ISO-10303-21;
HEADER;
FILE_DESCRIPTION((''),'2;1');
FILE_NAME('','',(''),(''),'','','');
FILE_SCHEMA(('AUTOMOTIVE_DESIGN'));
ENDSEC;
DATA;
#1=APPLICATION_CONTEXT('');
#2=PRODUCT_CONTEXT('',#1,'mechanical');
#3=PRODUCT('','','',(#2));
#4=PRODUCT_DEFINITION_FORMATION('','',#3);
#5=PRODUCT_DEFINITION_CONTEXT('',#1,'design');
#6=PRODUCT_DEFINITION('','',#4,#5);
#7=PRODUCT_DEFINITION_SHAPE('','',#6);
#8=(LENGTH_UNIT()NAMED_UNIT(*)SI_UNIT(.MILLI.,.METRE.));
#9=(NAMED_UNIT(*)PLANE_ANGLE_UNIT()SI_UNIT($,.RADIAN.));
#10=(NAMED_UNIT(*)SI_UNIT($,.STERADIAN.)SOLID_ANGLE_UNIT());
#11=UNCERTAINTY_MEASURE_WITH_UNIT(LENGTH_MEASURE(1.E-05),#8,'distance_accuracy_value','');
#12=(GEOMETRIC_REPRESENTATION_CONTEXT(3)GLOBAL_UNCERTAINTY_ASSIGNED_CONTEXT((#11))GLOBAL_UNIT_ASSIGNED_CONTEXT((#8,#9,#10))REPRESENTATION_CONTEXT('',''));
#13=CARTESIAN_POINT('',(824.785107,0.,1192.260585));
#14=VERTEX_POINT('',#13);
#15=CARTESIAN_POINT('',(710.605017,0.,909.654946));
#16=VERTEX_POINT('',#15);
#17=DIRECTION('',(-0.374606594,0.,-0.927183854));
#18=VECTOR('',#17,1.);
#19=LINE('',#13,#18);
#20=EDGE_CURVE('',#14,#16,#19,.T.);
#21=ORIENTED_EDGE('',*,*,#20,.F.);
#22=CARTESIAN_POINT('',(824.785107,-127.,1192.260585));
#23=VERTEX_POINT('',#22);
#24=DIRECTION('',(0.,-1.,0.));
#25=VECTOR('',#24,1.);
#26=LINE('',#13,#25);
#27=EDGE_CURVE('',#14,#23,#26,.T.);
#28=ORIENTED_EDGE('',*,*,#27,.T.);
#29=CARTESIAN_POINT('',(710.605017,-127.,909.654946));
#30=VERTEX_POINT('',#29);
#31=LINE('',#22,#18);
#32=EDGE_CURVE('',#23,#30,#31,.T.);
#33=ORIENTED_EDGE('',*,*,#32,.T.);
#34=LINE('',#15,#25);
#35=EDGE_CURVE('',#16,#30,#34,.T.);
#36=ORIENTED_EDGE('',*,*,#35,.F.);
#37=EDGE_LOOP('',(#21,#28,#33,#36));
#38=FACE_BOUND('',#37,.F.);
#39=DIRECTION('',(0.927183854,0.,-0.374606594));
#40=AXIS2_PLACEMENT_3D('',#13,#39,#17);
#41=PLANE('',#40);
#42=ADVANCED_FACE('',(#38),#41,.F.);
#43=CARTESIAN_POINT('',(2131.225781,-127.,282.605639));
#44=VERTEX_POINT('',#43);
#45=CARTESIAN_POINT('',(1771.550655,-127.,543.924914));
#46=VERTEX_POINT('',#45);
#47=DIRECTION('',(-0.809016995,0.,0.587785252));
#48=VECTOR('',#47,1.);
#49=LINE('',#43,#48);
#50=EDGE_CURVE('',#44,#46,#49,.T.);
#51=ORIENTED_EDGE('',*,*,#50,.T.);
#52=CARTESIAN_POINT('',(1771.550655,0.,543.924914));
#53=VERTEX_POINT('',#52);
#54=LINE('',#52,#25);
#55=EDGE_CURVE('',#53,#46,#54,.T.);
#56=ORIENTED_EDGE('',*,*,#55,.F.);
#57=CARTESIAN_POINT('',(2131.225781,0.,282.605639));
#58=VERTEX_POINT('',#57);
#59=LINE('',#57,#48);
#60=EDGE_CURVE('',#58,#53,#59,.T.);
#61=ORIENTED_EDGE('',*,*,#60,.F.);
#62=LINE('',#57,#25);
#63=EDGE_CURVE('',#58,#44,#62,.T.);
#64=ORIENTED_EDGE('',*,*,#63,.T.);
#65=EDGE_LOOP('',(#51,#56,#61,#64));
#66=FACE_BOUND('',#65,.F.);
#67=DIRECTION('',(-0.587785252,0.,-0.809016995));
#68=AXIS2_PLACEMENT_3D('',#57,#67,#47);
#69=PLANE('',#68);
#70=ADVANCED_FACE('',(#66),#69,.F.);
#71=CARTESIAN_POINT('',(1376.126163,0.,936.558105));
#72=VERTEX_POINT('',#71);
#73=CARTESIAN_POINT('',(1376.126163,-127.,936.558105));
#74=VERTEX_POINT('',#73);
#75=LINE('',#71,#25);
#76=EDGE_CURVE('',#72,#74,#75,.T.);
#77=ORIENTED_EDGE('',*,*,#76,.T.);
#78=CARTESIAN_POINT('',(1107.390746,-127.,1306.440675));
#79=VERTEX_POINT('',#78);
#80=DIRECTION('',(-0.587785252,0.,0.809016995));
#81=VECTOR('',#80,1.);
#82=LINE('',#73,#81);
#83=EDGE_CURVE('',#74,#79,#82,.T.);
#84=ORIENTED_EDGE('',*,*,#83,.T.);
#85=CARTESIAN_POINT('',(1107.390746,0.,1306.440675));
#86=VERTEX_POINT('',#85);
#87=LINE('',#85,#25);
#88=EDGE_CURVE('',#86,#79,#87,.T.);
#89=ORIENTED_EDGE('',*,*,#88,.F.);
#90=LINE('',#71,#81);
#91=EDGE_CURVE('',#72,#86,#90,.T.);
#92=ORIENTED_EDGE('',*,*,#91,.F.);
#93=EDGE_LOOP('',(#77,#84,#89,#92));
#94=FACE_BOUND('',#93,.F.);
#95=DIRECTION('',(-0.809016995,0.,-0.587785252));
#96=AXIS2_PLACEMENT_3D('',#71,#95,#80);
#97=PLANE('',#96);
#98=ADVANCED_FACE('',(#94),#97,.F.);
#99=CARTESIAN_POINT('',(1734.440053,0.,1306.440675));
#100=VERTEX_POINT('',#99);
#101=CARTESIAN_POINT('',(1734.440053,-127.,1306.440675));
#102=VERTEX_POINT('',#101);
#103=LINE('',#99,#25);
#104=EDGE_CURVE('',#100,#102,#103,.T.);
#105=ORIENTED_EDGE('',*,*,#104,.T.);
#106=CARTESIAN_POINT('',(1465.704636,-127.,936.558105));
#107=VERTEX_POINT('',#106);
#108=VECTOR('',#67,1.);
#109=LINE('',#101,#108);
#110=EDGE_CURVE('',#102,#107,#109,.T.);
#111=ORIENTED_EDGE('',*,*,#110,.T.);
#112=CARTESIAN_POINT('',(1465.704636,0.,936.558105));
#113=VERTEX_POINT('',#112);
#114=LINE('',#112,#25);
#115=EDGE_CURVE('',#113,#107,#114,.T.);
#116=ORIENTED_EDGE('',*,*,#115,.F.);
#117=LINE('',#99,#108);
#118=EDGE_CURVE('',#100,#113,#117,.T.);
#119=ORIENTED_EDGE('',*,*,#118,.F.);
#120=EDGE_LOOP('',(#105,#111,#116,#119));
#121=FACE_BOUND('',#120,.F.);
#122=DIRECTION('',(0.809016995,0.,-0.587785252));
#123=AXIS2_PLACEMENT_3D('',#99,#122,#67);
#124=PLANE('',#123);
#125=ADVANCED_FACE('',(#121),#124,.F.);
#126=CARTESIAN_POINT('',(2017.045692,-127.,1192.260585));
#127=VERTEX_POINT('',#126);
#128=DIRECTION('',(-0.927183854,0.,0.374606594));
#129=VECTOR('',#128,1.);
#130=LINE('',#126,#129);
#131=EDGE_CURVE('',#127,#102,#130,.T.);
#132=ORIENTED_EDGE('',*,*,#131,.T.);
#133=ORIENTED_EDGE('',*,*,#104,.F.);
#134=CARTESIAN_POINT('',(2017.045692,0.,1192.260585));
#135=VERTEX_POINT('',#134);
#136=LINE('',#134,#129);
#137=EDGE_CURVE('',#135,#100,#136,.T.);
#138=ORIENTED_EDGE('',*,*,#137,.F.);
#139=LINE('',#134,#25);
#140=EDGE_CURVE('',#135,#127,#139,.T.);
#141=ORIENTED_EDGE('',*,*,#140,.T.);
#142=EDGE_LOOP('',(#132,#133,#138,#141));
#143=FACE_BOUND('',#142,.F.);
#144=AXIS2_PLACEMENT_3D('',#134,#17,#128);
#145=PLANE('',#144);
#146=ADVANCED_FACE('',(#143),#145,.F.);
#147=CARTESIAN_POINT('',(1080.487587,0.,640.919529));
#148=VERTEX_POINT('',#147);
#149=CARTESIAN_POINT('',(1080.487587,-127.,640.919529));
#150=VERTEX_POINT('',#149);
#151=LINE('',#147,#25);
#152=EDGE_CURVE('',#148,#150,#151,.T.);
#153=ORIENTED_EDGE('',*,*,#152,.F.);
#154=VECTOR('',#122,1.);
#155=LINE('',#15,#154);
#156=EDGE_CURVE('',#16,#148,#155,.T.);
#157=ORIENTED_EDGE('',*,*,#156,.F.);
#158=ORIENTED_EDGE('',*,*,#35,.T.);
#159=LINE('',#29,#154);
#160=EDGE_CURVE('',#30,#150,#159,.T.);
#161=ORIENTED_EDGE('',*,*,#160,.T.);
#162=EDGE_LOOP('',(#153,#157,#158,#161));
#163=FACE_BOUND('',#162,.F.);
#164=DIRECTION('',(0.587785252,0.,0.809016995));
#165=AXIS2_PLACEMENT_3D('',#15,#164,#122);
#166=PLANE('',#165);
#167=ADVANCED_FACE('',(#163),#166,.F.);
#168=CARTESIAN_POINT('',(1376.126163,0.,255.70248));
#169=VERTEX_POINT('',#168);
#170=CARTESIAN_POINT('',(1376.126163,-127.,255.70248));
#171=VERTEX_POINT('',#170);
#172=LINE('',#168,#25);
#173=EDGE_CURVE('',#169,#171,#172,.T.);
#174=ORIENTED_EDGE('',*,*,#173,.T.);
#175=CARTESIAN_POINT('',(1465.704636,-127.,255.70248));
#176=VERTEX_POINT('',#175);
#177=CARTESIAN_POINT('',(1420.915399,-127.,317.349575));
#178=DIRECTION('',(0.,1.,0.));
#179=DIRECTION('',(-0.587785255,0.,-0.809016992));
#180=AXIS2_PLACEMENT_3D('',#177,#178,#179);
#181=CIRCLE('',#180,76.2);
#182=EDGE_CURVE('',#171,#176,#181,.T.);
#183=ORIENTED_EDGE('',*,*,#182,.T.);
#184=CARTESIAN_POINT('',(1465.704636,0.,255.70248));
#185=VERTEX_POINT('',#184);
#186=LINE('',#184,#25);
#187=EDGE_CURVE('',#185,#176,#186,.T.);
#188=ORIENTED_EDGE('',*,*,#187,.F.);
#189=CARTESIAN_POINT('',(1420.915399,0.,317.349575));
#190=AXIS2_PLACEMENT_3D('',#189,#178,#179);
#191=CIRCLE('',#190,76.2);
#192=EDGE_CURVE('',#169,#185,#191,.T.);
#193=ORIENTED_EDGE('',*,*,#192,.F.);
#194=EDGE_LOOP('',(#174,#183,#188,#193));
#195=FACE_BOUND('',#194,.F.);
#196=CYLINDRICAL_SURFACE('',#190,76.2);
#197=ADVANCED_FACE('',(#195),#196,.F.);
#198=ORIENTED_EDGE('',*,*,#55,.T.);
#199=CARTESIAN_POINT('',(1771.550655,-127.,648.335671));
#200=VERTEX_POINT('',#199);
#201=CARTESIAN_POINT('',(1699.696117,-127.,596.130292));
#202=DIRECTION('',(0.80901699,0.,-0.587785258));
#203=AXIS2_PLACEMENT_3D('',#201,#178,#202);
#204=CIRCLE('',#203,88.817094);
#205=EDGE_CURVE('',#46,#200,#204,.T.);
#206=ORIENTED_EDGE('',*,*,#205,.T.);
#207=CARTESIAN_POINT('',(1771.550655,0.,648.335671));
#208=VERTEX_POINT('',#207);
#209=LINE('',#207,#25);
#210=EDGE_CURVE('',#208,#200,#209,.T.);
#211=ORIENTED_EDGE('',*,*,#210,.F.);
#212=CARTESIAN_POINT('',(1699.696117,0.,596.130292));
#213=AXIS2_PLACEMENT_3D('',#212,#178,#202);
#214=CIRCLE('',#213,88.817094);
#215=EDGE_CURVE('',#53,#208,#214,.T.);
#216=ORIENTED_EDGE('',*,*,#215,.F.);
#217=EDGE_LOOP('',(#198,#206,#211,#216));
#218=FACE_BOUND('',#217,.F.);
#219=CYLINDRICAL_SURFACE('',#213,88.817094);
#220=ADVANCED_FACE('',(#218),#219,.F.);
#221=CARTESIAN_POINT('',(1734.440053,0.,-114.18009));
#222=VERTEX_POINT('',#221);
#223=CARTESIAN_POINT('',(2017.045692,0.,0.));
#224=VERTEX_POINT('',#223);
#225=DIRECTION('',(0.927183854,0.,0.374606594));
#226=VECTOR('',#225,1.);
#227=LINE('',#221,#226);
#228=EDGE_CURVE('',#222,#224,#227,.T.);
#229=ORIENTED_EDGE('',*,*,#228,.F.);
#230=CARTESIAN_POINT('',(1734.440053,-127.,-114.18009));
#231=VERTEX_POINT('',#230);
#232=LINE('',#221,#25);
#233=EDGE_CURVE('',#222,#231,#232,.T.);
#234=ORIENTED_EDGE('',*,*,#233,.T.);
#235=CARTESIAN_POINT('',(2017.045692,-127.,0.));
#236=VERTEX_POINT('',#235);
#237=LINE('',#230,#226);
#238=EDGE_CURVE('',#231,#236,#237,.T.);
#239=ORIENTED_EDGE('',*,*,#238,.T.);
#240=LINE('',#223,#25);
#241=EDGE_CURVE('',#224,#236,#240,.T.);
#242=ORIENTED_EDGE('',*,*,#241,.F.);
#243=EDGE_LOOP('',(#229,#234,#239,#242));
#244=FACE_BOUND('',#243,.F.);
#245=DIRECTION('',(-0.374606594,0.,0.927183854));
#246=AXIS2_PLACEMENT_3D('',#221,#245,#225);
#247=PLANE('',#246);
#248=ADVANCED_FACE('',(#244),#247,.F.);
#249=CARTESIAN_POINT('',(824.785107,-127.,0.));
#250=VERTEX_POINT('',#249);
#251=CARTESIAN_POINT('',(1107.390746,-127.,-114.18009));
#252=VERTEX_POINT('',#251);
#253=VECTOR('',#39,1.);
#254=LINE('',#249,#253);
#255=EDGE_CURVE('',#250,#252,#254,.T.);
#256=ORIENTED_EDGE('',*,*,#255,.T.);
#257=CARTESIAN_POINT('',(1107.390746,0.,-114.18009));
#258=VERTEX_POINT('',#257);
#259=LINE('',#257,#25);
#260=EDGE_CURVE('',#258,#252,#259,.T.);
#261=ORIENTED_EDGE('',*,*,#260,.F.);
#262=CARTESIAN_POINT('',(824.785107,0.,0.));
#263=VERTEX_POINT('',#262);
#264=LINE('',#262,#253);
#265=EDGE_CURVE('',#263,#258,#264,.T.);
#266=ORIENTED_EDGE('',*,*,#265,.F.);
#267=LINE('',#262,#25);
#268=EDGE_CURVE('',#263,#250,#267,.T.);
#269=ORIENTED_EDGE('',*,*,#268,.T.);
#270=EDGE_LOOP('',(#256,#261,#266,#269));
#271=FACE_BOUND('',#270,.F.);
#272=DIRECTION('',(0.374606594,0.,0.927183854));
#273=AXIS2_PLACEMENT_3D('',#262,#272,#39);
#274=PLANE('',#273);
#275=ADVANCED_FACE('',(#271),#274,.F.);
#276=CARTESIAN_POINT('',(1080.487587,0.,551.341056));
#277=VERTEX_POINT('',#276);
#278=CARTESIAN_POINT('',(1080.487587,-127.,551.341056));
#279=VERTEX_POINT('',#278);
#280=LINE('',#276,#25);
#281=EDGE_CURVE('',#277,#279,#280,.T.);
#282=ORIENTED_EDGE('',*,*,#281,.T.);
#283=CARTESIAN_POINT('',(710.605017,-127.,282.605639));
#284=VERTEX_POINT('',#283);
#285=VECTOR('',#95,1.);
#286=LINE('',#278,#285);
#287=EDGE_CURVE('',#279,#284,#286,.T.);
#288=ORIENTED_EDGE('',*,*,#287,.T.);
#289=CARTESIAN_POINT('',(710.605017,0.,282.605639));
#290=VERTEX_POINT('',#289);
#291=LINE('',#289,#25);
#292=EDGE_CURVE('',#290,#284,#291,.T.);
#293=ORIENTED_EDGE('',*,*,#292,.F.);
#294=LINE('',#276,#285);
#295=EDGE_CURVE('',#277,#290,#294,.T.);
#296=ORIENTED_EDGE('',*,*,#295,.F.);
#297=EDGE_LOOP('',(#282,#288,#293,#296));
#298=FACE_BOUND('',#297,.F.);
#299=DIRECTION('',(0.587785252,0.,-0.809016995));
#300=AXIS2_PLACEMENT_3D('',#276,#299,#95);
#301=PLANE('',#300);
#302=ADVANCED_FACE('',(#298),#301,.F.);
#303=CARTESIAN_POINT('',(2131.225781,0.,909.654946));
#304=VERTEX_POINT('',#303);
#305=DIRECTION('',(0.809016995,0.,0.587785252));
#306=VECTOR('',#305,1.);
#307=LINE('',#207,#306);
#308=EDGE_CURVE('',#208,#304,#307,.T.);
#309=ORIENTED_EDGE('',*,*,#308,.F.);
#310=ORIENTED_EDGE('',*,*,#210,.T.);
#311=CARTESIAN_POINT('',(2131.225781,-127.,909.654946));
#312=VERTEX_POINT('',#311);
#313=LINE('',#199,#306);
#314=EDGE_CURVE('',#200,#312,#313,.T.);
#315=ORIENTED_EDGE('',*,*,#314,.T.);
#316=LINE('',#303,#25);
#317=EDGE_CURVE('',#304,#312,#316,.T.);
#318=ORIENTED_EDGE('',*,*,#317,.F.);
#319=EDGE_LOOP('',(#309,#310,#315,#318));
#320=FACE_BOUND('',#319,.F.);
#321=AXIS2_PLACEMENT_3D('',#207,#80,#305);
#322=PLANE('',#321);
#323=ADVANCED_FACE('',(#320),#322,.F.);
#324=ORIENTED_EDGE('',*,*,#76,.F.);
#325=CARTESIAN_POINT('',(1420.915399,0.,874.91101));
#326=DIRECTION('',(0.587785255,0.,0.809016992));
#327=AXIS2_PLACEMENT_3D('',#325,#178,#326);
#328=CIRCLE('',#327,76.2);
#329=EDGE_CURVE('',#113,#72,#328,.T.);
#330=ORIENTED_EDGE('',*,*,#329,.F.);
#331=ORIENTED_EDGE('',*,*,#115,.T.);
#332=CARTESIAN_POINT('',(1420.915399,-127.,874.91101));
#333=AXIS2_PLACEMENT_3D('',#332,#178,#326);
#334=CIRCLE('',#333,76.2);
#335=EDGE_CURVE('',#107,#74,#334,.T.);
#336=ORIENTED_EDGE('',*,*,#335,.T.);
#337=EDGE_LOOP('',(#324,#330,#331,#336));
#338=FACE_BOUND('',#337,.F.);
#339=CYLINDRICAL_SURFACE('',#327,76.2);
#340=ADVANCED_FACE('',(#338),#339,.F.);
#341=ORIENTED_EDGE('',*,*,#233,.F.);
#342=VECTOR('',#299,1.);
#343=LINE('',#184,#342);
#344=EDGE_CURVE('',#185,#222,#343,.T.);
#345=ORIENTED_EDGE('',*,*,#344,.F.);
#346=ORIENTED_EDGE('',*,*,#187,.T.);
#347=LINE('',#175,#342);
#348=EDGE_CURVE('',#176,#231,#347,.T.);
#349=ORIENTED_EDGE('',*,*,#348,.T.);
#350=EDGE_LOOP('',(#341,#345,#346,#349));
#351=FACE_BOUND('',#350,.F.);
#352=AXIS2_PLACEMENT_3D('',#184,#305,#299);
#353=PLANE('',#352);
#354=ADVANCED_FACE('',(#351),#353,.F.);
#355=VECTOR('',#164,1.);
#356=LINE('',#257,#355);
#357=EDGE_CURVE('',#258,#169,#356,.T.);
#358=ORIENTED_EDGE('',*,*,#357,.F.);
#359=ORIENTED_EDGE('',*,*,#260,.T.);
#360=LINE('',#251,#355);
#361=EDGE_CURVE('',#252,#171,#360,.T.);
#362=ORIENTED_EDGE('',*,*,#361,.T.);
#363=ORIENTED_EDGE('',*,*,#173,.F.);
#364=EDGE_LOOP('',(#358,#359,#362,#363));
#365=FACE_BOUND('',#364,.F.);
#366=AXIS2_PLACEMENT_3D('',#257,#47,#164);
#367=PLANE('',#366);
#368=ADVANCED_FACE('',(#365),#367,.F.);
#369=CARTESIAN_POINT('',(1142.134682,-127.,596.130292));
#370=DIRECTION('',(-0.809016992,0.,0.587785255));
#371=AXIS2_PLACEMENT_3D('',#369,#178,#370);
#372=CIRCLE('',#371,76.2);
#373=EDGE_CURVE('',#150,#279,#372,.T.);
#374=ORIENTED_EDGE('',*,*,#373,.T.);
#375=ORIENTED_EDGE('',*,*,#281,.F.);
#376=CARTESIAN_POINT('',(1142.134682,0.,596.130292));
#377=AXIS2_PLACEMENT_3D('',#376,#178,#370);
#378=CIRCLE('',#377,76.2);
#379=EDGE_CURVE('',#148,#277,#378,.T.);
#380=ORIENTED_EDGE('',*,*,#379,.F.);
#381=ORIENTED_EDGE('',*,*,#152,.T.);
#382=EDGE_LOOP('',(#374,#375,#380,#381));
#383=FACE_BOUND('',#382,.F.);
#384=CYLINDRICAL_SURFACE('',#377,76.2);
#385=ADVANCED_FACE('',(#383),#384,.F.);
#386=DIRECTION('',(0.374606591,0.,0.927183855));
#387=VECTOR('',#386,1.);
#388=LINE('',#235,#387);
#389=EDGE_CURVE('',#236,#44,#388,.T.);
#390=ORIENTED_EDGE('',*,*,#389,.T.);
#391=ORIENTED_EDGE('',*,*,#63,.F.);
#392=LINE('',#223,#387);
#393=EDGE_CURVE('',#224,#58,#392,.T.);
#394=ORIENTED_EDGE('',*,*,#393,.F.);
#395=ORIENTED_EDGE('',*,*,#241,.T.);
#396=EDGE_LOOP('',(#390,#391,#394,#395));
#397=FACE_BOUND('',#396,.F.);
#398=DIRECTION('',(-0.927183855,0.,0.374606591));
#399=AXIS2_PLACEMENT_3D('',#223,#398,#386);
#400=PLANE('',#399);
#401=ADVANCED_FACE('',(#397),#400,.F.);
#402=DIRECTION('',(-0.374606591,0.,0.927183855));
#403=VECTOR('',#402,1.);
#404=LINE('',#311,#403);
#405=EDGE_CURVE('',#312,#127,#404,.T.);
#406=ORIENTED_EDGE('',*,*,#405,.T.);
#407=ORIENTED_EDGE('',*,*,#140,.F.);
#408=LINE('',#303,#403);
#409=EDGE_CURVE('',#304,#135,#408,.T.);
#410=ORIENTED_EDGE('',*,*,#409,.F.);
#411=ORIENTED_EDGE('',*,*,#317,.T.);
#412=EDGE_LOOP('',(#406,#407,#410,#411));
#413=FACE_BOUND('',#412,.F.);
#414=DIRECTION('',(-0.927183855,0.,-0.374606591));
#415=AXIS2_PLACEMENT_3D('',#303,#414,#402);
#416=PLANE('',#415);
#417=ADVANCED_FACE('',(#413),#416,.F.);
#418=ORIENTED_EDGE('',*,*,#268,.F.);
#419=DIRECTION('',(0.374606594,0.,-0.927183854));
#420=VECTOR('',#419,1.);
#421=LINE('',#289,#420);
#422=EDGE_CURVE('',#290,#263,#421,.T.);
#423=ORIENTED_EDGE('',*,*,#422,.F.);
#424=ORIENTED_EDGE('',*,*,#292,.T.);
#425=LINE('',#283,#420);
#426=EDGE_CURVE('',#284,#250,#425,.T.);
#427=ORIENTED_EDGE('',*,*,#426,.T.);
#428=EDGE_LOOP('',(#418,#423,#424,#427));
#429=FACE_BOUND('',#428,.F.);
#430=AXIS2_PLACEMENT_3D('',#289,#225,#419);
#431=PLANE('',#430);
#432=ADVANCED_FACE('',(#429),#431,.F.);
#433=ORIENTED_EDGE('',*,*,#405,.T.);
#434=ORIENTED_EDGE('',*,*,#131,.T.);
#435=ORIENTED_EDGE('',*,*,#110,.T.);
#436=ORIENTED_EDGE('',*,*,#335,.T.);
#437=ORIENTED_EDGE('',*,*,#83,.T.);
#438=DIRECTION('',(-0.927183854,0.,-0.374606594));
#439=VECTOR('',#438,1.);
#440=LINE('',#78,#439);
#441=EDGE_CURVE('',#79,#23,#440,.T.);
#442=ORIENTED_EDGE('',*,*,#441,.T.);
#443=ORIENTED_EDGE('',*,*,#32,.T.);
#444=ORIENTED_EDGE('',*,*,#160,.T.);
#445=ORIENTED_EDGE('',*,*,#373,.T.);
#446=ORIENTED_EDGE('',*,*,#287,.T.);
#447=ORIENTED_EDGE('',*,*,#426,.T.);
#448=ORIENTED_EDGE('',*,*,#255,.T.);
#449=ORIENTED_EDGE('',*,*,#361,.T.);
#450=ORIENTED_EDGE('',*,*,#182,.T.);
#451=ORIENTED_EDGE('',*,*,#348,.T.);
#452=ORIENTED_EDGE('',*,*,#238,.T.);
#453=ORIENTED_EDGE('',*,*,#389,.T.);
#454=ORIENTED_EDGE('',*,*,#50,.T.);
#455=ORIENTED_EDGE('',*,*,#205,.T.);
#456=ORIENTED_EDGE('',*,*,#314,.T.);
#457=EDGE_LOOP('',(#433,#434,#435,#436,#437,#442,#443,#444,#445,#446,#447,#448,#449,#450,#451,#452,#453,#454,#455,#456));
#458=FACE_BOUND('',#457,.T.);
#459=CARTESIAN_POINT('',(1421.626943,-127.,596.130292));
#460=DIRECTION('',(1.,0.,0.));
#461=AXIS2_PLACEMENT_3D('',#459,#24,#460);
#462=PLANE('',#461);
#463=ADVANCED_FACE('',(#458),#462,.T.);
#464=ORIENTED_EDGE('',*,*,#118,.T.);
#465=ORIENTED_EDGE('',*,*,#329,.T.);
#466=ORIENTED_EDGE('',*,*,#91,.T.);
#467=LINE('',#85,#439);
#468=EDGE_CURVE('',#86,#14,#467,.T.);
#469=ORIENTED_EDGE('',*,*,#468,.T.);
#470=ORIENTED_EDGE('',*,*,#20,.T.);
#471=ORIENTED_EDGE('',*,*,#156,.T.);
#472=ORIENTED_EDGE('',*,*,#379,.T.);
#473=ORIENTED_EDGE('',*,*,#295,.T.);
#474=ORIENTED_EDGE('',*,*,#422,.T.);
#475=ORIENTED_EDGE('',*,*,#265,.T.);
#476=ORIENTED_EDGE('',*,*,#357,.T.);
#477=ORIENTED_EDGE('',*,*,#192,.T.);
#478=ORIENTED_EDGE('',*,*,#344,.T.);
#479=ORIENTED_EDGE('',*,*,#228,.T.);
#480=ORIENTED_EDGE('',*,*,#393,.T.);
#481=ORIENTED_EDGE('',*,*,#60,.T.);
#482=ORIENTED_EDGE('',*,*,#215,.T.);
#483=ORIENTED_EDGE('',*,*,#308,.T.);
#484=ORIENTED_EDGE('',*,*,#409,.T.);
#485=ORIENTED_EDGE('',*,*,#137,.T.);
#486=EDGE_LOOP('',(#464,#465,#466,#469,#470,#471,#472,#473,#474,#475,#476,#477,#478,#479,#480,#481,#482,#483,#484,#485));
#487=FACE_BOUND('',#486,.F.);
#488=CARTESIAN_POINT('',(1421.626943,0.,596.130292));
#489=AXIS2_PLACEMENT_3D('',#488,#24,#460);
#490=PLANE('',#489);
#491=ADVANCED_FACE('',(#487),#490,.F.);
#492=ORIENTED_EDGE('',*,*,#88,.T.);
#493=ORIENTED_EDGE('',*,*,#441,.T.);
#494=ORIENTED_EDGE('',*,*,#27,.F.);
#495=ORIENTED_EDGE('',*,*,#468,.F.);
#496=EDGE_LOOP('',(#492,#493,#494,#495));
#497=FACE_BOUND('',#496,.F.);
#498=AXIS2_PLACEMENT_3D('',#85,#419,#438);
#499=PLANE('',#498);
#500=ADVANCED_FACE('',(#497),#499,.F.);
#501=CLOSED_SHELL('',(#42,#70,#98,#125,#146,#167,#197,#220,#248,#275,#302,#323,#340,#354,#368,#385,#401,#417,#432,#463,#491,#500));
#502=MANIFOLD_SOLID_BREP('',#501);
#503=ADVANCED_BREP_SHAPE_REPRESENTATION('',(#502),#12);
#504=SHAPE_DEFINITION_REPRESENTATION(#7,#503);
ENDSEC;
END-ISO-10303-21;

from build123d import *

# Parameters (mm, degrees)
F1_DEPTH = 127


with BuildPart() as f1:
    # F0 (on Front) → F1 (new body)
    with BuildSketch(Plane.XZ):
        with BuildLine():
            Line((710.605017, 282.605639), (824.785107, 0))
            Line((824.785107, 0), (1107.390746, -114.18009))
            Line((1107.390746, -114.18009), (1376.126163, 255.70248))
            ThreePointArc((1376.126163, 255.70248), (1420.915399, 393.549575), (1465.704636, 255.70248))
            Line((1465.704636, 255.70248), (1734.440053, -114.18009))
            Line((1734.440053, -114.18009), (2017.045692, 0))
            Line((2017.045692, 0), (2131.225781, 282.605639))
            Line((2131.225781, 282.605639), (1771.550655, 543.924914))
            ThreePointArc((1771.550655, 543.924914), (1610.879023, 596.130292), (1771.550655, 648.335671))
            Line((1771.550655, 648.335671), (2131.225781, 909.654946))
            Line((2131.225781, 909.654946), (2017.045692, 1192.260585))
            Line((2017.045692, 1192.260585), (1734.440053, 1306.440675))
            Line((1734.440053, 1306.440675), (1465.704636, 936.558105))
            ThreePointArc((1465.704636, 936.558105), (1420.915399, 798.71101), (1376.126163, 936.558105))
            Line((1376.126163, 936.558105), (1107.390746, 1306.440675))
            Line((1107.390746, 1306.440675), (824.785107, 1192.260585))
            Line((824.785107, 1192.260585), (710.605017, 909.654946))
            Line((710.605017, 909.654946), (1080.487587, 640.919529))
            ThreePointArc((1080.487587, 640.919529), (1218.334682, 596.130292), (1080.487587, 551.341056))
            Line((1080.487587, 551.341056), (710.605017, 282.605639))
        make_face()
    extrude(amount=F1_DEPTH)


solid = f1.part
